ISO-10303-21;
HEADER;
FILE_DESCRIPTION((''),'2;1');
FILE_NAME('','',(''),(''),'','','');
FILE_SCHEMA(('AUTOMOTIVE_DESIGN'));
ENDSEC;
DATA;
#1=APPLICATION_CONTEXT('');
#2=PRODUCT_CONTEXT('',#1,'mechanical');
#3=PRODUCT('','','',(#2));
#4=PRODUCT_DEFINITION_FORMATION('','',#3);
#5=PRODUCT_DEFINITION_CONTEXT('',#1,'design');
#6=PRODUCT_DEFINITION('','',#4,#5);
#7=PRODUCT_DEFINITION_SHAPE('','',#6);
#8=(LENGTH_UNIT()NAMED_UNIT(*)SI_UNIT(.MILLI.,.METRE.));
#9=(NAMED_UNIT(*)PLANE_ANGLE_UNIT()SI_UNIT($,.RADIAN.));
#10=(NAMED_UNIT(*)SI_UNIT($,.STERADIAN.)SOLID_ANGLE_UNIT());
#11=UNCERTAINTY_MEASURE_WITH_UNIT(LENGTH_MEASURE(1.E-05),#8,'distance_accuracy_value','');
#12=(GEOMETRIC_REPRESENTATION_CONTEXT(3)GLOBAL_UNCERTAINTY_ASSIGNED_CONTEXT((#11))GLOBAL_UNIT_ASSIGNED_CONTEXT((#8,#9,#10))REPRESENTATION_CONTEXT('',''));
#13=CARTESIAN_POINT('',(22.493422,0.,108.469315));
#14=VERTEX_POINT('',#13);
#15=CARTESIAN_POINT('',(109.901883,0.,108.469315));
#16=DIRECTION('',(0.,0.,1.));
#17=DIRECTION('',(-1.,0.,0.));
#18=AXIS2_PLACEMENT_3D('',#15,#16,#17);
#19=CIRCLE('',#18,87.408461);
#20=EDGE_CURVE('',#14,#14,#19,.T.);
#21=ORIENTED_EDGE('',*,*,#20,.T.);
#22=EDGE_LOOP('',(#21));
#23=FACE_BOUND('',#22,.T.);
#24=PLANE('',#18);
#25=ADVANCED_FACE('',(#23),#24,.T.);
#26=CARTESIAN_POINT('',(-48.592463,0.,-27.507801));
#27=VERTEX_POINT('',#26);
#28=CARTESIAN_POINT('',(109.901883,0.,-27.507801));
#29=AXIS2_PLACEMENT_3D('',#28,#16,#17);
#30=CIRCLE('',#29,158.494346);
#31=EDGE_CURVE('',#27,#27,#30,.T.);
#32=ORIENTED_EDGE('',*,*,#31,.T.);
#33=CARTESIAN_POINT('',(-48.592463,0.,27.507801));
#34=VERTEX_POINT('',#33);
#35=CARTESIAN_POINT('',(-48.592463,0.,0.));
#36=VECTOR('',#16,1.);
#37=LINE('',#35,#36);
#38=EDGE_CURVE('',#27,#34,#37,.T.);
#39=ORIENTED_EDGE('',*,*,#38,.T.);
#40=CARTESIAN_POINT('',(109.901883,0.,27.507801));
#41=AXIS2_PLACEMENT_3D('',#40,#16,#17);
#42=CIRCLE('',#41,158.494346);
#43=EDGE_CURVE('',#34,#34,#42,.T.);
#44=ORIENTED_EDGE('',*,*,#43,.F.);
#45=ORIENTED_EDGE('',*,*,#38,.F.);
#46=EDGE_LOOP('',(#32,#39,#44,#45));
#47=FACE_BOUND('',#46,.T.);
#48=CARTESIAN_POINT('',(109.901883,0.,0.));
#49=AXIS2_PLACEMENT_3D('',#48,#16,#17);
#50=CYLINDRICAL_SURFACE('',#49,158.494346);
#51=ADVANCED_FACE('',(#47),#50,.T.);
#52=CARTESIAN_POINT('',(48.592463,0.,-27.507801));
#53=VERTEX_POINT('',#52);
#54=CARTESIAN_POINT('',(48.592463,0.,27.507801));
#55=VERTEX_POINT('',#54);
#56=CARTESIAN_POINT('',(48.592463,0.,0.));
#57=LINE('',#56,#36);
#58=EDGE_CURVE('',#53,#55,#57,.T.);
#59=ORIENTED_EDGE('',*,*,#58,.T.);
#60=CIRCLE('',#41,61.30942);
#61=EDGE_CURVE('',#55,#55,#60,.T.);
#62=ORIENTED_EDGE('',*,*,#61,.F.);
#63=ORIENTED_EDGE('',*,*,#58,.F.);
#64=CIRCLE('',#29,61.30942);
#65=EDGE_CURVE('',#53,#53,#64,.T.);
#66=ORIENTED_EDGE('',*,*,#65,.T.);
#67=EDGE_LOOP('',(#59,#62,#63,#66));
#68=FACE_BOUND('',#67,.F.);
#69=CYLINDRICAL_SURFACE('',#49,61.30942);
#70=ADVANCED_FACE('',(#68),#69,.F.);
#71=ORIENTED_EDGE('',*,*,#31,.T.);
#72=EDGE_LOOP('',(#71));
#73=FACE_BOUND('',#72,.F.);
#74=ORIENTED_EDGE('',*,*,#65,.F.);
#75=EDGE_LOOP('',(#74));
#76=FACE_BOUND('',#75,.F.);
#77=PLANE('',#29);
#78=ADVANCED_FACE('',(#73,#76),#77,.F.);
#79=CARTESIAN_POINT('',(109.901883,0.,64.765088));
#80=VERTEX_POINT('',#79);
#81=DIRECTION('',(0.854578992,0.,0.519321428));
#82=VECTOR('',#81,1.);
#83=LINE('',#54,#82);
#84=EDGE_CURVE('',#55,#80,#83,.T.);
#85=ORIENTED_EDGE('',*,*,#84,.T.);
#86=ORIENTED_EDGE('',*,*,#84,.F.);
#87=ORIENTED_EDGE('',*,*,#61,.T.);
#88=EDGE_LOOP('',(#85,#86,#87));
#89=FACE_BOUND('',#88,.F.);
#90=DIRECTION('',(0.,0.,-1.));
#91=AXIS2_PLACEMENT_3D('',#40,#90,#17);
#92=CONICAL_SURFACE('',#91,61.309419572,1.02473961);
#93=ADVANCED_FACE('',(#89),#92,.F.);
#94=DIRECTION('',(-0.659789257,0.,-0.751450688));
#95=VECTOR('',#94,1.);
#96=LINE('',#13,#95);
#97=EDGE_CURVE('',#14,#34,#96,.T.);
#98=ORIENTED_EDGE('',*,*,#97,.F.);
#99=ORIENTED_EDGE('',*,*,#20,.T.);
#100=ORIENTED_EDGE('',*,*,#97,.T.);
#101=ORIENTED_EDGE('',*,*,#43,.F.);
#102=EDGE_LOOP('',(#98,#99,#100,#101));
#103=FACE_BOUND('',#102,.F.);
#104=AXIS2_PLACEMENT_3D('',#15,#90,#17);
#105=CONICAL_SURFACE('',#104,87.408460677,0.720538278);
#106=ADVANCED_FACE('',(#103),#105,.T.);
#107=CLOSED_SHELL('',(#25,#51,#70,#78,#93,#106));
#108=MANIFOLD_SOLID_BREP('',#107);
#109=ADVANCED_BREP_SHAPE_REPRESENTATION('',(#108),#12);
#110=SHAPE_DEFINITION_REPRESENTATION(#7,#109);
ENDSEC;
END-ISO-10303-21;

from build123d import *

# Parameters (mm, degrees)
F0_W   = 97.1849262714
F0_H   = 55.0156012177
F0_W_2 = 87.4084606767
F0_H_2 = 43.704226613


with BuildPart() as f1:
    # F0 (on Front) → F1 (revolve)
    with BuildSketch(Plane.XZ):
        Polygon((22.4934220314, 108.4693148732), (-48.5924631357, 27.5078006089), (48.5924631357, 27.5078006089), (109.9018827081, 64.7650882602), (22.4934220314, 64.7650882602), align=None)
        Rectangle(F0_W, F0_H)
        with Locations((66.1976523697, 86.6172015667)):
            Rectangle(F0_W_2, F0_H_2)
    revolve(axis=Axis((109.9018827081, 0, 86.6172015667), (0, 0, 1)))


solid = f1.part
